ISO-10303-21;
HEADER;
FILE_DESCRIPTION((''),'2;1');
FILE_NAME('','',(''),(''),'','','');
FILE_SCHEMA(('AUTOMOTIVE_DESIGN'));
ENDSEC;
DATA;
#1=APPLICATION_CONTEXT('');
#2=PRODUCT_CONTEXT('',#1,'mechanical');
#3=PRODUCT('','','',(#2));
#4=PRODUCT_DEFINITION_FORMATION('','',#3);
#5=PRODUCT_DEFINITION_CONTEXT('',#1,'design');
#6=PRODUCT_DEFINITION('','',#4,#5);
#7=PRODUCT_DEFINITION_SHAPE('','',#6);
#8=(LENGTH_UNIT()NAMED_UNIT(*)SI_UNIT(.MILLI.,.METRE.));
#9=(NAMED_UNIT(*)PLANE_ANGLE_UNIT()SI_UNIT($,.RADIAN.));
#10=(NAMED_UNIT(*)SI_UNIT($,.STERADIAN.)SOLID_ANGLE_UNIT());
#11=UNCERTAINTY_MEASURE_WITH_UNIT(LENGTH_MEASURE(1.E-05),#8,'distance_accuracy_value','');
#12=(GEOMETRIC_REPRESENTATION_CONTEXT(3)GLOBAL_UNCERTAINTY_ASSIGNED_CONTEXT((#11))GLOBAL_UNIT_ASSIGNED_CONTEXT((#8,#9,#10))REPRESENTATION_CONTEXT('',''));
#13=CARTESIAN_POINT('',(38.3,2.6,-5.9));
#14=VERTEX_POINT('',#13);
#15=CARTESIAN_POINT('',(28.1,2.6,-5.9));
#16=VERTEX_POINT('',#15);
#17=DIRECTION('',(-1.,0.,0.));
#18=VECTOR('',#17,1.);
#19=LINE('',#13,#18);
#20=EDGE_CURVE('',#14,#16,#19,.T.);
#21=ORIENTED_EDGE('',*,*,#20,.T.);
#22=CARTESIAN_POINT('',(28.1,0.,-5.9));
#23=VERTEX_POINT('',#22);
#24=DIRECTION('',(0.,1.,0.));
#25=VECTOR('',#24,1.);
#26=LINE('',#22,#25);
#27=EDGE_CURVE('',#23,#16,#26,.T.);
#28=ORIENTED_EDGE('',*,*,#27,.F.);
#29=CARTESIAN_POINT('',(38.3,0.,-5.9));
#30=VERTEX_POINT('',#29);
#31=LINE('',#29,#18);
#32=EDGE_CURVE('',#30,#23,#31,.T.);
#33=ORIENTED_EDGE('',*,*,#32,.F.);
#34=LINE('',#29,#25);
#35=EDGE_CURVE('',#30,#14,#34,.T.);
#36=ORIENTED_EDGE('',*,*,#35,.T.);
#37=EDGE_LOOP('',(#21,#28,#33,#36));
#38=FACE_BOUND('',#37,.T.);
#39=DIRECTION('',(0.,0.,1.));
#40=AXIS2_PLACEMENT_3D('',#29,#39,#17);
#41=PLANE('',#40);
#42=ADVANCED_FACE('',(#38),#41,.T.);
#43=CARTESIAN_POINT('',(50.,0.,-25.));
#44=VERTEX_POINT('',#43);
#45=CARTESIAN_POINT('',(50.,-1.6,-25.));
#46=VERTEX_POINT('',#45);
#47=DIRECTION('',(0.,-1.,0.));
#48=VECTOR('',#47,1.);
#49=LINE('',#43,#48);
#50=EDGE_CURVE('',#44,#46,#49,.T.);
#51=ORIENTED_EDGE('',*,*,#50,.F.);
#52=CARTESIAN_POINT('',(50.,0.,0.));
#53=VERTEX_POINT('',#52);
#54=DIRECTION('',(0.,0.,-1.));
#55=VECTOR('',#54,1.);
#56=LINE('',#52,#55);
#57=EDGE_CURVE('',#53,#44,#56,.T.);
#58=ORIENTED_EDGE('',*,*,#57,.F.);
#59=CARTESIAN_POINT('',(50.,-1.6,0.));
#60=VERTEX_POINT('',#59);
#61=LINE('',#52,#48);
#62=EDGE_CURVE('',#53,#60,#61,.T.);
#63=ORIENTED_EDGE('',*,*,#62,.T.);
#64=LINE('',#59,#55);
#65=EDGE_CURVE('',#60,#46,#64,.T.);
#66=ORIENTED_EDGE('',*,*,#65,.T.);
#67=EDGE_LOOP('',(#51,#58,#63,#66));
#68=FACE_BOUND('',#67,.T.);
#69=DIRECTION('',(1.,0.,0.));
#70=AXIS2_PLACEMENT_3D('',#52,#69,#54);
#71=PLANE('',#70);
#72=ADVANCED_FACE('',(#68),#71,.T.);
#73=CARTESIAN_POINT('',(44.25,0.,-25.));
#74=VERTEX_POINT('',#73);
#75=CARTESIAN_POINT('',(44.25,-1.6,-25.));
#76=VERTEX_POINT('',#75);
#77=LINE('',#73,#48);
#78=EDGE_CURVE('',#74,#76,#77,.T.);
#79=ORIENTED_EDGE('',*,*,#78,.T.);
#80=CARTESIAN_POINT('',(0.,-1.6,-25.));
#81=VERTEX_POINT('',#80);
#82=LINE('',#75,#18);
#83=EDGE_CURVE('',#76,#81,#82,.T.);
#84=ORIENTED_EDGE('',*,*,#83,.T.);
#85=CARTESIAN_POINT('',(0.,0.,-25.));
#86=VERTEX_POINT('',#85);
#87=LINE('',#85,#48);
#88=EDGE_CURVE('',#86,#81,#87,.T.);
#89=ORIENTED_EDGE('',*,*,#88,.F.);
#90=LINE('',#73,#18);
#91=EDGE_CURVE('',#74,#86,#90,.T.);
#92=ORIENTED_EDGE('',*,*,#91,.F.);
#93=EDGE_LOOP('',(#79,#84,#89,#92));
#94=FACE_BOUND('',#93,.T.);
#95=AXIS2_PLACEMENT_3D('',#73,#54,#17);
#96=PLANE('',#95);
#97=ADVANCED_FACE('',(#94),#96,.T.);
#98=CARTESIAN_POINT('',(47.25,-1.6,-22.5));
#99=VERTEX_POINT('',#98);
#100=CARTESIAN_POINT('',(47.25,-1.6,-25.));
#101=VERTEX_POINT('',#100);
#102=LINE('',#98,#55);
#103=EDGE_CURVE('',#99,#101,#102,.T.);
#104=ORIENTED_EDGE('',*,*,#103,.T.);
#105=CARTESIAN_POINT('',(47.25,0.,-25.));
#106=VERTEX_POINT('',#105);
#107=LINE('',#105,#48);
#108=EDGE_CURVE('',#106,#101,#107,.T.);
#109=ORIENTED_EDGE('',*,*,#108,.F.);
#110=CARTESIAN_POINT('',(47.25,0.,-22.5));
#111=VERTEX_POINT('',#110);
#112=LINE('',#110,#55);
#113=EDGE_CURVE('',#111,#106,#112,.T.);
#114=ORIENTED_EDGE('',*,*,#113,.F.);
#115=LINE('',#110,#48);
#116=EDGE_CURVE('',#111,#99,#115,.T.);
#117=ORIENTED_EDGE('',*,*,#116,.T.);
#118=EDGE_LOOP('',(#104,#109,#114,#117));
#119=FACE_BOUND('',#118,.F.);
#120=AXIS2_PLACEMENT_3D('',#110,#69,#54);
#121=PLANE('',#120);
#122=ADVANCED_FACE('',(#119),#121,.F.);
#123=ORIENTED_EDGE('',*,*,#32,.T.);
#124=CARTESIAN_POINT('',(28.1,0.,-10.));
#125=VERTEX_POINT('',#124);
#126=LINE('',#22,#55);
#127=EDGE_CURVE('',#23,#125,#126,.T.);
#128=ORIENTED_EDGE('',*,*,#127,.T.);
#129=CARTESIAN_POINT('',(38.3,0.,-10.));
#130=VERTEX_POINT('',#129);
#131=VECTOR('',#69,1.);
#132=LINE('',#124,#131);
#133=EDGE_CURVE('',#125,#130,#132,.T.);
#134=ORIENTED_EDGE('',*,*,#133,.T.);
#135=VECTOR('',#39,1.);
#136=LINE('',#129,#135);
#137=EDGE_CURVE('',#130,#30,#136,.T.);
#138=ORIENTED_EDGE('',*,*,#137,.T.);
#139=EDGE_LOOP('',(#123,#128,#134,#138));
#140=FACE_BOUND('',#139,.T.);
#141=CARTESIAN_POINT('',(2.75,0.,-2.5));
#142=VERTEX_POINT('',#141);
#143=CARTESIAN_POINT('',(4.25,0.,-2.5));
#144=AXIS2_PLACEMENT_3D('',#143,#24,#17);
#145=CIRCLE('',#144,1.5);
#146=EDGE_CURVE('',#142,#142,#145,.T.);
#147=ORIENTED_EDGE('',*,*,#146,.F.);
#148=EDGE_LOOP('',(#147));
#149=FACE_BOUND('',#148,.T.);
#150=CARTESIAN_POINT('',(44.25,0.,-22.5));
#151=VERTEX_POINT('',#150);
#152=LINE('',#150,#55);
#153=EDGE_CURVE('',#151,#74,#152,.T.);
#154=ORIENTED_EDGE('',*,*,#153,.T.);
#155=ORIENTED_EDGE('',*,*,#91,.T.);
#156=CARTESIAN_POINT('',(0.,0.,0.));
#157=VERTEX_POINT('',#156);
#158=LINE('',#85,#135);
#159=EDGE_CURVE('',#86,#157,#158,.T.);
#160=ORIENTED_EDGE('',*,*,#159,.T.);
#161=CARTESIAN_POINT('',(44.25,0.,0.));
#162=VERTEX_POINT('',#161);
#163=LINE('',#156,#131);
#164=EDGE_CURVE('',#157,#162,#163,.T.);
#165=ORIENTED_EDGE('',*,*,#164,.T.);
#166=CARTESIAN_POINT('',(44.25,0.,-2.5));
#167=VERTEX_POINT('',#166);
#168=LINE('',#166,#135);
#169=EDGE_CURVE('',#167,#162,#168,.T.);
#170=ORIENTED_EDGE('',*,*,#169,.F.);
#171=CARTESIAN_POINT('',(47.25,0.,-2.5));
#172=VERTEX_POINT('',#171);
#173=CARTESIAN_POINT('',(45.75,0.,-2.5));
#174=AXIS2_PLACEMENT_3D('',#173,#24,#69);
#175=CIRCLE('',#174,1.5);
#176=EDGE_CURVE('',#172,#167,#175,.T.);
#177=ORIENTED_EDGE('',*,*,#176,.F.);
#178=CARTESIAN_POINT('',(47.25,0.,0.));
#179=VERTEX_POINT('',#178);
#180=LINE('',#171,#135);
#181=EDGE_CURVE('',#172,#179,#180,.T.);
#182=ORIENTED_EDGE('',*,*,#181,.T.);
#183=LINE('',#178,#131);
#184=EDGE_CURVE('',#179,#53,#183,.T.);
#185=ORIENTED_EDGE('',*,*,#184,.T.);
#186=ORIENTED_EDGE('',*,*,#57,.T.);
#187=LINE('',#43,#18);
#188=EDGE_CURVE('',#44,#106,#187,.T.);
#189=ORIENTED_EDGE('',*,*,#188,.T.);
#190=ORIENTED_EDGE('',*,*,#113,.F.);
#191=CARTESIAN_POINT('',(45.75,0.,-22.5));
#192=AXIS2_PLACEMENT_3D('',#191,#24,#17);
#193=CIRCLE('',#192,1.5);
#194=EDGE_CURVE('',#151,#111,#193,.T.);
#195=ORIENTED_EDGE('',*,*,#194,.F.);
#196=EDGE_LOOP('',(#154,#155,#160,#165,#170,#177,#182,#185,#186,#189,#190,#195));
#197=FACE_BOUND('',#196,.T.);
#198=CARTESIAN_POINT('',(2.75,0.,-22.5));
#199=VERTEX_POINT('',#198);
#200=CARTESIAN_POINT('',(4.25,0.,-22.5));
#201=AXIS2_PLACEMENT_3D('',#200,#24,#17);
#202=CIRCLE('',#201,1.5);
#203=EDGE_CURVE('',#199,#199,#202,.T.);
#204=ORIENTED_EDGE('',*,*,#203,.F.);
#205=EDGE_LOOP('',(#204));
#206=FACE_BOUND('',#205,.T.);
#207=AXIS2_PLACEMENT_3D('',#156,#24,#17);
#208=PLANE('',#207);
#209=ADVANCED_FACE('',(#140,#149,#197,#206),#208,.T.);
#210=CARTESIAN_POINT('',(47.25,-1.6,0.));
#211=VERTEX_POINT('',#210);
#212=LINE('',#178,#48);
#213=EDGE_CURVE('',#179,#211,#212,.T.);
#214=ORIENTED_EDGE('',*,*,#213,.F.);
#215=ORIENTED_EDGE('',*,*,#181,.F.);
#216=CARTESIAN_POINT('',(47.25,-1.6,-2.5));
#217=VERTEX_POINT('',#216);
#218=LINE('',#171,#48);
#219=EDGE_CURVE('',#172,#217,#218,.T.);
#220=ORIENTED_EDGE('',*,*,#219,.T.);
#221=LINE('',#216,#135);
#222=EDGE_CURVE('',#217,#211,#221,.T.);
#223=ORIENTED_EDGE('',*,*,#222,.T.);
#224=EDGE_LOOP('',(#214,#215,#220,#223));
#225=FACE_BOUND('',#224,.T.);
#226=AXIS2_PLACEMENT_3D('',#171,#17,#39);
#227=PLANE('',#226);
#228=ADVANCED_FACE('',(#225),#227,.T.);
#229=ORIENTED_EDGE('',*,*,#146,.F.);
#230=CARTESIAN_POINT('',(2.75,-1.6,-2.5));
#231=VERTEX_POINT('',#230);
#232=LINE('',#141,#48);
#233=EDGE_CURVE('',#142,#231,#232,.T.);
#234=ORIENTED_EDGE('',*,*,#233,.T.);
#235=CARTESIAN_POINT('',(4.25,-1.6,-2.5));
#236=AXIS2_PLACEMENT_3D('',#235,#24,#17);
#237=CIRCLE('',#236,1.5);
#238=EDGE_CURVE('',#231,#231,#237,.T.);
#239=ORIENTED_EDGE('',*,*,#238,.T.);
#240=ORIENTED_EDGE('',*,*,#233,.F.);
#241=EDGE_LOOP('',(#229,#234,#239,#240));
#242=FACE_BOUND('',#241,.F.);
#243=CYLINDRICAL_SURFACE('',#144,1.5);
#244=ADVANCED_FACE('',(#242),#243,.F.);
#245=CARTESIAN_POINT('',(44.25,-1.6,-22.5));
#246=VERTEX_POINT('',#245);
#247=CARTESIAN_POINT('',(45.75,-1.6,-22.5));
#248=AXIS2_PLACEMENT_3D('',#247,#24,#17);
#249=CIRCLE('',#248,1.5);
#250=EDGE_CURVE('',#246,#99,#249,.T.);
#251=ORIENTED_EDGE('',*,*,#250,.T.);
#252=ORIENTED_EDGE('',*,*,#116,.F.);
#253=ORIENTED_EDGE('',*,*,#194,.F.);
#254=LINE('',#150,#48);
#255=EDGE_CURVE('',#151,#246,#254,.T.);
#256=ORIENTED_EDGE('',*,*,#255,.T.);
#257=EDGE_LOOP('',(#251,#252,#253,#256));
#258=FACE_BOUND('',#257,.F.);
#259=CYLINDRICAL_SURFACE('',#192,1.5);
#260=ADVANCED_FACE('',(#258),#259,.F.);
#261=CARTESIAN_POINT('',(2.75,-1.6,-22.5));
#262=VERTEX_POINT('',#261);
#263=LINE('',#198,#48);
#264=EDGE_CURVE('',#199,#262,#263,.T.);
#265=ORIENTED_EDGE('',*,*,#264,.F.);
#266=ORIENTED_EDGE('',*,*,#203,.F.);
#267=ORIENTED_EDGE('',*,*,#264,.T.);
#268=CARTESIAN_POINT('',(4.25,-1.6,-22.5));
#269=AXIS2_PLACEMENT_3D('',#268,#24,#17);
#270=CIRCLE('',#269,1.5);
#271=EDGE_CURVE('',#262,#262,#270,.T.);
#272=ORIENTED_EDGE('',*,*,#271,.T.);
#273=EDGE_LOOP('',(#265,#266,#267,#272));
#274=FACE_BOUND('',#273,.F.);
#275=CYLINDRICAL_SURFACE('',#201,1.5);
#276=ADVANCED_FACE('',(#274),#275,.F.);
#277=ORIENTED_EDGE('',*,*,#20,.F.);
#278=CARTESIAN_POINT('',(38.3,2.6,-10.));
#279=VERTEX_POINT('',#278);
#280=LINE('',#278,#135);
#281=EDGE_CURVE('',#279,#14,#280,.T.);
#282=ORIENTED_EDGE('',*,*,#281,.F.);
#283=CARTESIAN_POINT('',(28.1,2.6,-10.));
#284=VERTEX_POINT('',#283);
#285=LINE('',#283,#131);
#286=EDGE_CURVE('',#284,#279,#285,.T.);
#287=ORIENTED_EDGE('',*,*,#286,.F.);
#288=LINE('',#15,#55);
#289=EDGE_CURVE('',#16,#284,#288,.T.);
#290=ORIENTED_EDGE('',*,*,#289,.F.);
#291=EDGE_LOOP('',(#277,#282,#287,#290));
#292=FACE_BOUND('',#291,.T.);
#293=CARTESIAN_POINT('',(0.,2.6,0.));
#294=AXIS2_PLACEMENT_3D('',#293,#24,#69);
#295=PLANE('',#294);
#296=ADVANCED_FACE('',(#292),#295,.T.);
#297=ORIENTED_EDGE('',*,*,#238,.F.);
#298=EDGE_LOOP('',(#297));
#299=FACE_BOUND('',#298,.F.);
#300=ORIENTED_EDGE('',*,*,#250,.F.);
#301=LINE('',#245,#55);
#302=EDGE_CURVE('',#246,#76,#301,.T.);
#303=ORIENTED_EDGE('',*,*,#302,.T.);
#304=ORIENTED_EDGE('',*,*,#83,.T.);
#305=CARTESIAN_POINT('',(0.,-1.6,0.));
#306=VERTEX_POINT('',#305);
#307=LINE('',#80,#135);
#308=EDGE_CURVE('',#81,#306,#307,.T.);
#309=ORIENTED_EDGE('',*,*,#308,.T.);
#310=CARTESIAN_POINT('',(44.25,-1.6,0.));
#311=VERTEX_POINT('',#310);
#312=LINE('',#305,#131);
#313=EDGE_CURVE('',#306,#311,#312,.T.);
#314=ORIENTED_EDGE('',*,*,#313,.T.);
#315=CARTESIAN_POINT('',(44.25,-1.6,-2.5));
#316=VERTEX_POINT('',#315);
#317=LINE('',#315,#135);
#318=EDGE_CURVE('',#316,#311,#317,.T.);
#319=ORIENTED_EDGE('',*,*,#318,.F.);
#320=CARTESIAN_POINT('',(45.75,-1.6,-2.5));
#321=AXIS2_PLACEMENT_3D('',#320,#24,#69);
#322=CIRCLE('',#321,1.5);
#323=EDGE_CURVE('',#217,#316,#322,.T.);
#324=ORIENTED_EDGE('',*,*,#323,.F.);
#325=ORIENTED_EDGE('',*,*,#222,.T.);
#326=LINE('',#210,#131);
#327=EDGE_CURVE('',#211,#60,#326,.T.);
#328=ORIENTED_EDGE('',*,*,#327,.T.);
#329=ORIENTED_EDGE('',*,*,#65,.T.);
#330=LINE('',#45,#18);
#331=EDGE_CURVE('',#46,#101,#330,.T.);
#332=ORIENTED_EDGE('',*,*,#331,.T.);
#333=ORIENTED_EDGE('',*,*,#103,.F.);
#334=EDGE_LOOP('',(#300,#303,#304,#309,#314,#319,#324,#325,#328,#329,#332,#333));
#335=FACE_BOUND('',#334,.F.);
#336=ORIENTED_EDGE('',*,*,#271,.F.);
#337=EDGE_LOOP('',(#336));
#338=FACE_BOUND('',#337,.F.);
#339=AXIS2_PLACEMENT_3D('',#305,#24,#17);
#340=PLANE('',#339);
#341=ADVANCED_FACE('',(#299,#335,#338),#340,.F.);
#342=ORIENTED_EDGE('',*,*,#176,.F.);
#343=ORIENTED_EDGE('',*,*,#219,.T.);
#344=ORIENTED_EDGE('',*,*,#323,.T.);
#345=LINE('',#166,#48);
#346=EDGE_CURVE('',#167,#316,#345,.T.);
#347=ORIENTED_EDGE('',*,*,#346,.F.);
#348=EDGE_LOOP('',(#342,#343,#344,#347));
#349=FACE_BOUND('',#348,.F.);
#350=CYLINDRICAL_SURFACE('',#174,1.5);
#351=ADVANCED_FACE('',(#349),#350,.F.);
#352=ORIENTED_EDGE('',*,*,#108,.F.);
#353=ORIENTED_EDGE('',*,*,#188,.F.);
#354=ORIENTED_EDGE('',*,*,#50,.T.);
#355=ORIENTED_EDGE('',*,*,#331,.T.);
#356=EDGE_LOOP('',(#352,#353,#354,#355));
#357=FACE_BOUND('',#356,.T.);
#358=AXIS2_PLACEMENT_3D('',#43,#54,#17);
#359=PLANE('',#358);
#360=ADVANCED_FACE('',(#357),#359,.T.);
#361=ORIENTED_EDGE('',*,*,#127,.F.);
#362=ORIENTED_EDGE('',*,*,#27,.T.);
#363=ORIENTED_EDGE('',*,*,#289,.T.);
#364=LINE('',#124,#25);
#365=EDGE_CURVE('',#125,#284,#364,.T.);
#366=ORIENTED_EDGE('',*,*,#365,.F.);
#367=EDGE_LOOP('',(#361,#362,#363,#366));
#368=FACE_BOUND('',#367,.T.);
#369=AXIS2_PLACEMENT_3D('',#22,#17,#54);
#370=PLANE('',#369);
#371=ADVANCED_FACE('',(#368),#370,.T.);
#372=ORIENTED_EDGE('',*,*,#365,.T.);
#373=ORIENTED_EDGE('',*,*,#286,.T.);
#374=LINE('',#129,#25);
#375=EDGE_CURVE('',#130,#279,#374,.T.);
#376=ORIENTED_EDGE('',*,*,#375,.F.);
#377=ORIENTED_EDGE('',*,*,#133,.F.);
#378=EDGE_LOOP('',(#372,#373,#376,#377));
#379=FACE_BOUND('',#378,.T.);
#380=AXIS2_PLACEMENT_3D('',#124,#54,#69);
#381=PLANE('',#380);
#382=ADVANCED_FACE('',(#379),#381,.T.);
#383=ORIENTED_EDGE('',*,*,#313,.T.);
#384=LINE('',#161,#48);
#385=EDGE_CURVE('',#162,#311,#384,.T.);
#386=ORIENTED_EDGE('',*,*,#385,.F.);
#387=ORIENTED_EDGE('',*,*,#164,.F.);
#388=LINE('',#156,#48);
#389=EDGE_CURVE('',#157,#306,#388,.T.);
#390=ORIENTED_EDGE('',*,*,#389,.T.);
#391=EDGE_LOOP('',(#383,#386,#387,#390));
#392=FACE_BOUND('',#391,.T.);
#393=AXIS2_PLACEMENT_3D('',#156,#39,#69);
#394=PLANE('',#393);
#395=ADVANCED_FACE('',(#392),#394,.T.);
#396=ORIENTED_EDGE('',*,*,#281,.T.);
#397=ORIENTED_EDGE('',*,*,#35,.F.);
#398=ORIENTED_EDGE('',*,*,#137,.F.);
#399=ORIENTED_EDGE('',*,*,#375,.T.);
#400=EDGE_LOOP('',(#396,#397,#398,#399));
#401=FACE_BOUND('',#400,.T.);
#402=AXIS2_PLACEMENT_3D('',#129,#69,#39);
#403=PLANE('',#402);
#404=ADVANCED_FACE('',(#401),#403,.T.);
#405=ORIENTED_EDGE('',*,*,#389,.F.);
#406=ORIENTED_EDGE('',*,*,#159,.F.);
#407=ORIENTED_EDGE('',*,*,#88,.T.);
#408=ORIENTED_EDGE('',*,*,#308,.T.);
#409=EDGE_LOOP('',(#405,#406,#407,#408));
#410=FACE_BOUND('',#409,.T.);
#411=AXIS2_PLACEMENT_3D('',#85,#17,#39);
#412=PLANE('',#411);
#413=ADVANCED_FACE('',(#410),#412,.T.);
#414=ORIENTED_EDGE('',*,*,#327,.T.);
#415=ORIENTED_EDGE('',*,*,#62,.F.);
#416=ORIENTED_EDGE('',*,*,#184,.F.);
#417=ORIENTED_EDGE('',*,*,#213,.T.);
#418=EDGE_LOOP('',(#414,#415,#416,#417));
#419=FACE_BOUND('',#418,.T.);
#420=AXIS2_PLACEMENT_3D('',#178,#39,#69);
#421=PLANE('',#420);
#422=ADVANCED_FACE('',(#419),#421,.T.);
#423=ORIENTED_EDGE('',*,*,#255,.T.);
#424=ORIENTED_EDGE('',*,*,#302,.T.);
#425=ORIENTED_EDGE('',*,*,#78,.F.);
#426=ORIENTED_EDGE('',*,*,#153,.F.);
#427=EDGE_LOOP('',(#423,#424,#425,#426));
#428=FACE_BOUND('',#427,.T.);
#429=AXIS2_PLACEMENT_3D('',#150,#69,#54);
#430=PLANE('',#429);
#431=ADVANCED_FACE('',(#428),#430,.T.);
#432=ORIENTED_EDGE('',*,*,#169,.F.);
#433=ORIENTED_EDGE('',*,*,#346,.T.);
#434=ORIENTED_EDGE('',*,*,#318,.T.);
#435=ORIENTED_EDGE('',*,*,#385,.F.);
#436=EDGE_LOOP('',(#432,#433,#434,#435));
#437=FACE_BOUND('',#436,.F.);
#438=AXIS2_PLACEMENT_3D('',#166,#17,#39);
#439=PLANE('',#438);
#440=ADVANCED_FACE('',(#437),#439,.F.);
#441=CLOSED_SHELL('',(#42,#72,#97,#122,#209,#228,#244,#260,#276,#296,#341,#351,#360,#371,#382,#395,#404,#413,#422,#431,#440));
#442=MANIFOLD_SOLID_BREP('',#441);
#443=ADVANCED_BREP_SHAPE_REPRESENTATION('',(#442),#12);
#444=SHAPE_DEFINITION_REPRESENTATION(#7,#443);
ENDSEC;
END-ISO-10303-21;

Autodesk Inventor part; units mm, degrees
ref_plane "YZ Plane" through (0, 0, 0) normal (1, 0, 0) x (0, 1, 0)
ref_plane "XZ Plane" through (0, 0, 0) normal (0, 1, 0) x (-1, 0, 0)
ref_plane "XY Plane" through (0, 0, 0) normal (0, 0, 1) x (1, 0, 0)
sketch "Sketch1" plane through (0, 0, 0) normal (0, 1, 0) x (-1, 0, 0)
  line L0 (-50, 0) -> (-50, -25)
  line L1 (0, -25) -> (0, 0)
  circle A0 centre (-4.25, -22.5) radius 1.5
  circle A1 centre (-4.25, -2.5) radius 1.5
  arc A2 (-44.25, -22.5) -> (-47.25, -22.5) centre (-45.75, -22.5) ccw
  arc A3 (-47.25, -2.5) -> (-44.25, -2.5) centre (-45.75, -2.5) ccw
  line L2 (0, -12.5) -> (-50, -12.5) construction
  line L3 (-25, -25) -> (-25, 0) construction
  line L4 (-44.25, -22.5) -> (-44.25, -25)
  line L5 (-47.25, -22.5) -> (-47.25, -25)
  line L6 (-44.25, -2.5) -> (-44.25, 0)
  line L7 (-47.25, -2.5) -> (-47.25, 0)
  line L8 (0, 0) -> (-44.25, 0)
  line L9 (-47.25, 0) -> (-50, 0)
  line L10 (-50, -25) -> (-47.25, -25)
  line L11 (-44.25, -25) -> (0, -25)
  dimension "d0" = 50
  dimension "d1" = 25
  dimension "d2" = 3
  dimension "d3" = 3
  dimension "d4" = 3
  dimension "d5" = 3
  dimension "d7" = 41.5
  dimension "d8" = 20
  dimension "d9" = 10
  dimension "d10" = 20.75
extrude "Extrusion1" add sketch "Sketch1" against normal blind 1.6
sketch "Sketch2" plane through (0, 0, 0) normal (0, 1, 0) x (1, 0, 0)
  line L0 (38.3, 5.9) -> (28.1, 5.9)
  line L1 (28.1, 5.9) -> (28.1, 10)
  line L2 (28.1, 10) -> (38.3, 10)
  line L3 (38.3, 10) -> (38.3, 5.9)
  line L4 (44.25, 0) -> (0, 0) construction
  line L5 (50, 25) -> (50, 0) construction
  dimension "d13" = 10.2
  dimension "d14" = 4.1
  dimension "d15" = 5.9
  dimension "d16" = 11.7
extrude "Extrusion2" add sketch "Sketch2" along normal blind 2.6
properties part number "basecam_simpleBCG_32bit_tiny"
